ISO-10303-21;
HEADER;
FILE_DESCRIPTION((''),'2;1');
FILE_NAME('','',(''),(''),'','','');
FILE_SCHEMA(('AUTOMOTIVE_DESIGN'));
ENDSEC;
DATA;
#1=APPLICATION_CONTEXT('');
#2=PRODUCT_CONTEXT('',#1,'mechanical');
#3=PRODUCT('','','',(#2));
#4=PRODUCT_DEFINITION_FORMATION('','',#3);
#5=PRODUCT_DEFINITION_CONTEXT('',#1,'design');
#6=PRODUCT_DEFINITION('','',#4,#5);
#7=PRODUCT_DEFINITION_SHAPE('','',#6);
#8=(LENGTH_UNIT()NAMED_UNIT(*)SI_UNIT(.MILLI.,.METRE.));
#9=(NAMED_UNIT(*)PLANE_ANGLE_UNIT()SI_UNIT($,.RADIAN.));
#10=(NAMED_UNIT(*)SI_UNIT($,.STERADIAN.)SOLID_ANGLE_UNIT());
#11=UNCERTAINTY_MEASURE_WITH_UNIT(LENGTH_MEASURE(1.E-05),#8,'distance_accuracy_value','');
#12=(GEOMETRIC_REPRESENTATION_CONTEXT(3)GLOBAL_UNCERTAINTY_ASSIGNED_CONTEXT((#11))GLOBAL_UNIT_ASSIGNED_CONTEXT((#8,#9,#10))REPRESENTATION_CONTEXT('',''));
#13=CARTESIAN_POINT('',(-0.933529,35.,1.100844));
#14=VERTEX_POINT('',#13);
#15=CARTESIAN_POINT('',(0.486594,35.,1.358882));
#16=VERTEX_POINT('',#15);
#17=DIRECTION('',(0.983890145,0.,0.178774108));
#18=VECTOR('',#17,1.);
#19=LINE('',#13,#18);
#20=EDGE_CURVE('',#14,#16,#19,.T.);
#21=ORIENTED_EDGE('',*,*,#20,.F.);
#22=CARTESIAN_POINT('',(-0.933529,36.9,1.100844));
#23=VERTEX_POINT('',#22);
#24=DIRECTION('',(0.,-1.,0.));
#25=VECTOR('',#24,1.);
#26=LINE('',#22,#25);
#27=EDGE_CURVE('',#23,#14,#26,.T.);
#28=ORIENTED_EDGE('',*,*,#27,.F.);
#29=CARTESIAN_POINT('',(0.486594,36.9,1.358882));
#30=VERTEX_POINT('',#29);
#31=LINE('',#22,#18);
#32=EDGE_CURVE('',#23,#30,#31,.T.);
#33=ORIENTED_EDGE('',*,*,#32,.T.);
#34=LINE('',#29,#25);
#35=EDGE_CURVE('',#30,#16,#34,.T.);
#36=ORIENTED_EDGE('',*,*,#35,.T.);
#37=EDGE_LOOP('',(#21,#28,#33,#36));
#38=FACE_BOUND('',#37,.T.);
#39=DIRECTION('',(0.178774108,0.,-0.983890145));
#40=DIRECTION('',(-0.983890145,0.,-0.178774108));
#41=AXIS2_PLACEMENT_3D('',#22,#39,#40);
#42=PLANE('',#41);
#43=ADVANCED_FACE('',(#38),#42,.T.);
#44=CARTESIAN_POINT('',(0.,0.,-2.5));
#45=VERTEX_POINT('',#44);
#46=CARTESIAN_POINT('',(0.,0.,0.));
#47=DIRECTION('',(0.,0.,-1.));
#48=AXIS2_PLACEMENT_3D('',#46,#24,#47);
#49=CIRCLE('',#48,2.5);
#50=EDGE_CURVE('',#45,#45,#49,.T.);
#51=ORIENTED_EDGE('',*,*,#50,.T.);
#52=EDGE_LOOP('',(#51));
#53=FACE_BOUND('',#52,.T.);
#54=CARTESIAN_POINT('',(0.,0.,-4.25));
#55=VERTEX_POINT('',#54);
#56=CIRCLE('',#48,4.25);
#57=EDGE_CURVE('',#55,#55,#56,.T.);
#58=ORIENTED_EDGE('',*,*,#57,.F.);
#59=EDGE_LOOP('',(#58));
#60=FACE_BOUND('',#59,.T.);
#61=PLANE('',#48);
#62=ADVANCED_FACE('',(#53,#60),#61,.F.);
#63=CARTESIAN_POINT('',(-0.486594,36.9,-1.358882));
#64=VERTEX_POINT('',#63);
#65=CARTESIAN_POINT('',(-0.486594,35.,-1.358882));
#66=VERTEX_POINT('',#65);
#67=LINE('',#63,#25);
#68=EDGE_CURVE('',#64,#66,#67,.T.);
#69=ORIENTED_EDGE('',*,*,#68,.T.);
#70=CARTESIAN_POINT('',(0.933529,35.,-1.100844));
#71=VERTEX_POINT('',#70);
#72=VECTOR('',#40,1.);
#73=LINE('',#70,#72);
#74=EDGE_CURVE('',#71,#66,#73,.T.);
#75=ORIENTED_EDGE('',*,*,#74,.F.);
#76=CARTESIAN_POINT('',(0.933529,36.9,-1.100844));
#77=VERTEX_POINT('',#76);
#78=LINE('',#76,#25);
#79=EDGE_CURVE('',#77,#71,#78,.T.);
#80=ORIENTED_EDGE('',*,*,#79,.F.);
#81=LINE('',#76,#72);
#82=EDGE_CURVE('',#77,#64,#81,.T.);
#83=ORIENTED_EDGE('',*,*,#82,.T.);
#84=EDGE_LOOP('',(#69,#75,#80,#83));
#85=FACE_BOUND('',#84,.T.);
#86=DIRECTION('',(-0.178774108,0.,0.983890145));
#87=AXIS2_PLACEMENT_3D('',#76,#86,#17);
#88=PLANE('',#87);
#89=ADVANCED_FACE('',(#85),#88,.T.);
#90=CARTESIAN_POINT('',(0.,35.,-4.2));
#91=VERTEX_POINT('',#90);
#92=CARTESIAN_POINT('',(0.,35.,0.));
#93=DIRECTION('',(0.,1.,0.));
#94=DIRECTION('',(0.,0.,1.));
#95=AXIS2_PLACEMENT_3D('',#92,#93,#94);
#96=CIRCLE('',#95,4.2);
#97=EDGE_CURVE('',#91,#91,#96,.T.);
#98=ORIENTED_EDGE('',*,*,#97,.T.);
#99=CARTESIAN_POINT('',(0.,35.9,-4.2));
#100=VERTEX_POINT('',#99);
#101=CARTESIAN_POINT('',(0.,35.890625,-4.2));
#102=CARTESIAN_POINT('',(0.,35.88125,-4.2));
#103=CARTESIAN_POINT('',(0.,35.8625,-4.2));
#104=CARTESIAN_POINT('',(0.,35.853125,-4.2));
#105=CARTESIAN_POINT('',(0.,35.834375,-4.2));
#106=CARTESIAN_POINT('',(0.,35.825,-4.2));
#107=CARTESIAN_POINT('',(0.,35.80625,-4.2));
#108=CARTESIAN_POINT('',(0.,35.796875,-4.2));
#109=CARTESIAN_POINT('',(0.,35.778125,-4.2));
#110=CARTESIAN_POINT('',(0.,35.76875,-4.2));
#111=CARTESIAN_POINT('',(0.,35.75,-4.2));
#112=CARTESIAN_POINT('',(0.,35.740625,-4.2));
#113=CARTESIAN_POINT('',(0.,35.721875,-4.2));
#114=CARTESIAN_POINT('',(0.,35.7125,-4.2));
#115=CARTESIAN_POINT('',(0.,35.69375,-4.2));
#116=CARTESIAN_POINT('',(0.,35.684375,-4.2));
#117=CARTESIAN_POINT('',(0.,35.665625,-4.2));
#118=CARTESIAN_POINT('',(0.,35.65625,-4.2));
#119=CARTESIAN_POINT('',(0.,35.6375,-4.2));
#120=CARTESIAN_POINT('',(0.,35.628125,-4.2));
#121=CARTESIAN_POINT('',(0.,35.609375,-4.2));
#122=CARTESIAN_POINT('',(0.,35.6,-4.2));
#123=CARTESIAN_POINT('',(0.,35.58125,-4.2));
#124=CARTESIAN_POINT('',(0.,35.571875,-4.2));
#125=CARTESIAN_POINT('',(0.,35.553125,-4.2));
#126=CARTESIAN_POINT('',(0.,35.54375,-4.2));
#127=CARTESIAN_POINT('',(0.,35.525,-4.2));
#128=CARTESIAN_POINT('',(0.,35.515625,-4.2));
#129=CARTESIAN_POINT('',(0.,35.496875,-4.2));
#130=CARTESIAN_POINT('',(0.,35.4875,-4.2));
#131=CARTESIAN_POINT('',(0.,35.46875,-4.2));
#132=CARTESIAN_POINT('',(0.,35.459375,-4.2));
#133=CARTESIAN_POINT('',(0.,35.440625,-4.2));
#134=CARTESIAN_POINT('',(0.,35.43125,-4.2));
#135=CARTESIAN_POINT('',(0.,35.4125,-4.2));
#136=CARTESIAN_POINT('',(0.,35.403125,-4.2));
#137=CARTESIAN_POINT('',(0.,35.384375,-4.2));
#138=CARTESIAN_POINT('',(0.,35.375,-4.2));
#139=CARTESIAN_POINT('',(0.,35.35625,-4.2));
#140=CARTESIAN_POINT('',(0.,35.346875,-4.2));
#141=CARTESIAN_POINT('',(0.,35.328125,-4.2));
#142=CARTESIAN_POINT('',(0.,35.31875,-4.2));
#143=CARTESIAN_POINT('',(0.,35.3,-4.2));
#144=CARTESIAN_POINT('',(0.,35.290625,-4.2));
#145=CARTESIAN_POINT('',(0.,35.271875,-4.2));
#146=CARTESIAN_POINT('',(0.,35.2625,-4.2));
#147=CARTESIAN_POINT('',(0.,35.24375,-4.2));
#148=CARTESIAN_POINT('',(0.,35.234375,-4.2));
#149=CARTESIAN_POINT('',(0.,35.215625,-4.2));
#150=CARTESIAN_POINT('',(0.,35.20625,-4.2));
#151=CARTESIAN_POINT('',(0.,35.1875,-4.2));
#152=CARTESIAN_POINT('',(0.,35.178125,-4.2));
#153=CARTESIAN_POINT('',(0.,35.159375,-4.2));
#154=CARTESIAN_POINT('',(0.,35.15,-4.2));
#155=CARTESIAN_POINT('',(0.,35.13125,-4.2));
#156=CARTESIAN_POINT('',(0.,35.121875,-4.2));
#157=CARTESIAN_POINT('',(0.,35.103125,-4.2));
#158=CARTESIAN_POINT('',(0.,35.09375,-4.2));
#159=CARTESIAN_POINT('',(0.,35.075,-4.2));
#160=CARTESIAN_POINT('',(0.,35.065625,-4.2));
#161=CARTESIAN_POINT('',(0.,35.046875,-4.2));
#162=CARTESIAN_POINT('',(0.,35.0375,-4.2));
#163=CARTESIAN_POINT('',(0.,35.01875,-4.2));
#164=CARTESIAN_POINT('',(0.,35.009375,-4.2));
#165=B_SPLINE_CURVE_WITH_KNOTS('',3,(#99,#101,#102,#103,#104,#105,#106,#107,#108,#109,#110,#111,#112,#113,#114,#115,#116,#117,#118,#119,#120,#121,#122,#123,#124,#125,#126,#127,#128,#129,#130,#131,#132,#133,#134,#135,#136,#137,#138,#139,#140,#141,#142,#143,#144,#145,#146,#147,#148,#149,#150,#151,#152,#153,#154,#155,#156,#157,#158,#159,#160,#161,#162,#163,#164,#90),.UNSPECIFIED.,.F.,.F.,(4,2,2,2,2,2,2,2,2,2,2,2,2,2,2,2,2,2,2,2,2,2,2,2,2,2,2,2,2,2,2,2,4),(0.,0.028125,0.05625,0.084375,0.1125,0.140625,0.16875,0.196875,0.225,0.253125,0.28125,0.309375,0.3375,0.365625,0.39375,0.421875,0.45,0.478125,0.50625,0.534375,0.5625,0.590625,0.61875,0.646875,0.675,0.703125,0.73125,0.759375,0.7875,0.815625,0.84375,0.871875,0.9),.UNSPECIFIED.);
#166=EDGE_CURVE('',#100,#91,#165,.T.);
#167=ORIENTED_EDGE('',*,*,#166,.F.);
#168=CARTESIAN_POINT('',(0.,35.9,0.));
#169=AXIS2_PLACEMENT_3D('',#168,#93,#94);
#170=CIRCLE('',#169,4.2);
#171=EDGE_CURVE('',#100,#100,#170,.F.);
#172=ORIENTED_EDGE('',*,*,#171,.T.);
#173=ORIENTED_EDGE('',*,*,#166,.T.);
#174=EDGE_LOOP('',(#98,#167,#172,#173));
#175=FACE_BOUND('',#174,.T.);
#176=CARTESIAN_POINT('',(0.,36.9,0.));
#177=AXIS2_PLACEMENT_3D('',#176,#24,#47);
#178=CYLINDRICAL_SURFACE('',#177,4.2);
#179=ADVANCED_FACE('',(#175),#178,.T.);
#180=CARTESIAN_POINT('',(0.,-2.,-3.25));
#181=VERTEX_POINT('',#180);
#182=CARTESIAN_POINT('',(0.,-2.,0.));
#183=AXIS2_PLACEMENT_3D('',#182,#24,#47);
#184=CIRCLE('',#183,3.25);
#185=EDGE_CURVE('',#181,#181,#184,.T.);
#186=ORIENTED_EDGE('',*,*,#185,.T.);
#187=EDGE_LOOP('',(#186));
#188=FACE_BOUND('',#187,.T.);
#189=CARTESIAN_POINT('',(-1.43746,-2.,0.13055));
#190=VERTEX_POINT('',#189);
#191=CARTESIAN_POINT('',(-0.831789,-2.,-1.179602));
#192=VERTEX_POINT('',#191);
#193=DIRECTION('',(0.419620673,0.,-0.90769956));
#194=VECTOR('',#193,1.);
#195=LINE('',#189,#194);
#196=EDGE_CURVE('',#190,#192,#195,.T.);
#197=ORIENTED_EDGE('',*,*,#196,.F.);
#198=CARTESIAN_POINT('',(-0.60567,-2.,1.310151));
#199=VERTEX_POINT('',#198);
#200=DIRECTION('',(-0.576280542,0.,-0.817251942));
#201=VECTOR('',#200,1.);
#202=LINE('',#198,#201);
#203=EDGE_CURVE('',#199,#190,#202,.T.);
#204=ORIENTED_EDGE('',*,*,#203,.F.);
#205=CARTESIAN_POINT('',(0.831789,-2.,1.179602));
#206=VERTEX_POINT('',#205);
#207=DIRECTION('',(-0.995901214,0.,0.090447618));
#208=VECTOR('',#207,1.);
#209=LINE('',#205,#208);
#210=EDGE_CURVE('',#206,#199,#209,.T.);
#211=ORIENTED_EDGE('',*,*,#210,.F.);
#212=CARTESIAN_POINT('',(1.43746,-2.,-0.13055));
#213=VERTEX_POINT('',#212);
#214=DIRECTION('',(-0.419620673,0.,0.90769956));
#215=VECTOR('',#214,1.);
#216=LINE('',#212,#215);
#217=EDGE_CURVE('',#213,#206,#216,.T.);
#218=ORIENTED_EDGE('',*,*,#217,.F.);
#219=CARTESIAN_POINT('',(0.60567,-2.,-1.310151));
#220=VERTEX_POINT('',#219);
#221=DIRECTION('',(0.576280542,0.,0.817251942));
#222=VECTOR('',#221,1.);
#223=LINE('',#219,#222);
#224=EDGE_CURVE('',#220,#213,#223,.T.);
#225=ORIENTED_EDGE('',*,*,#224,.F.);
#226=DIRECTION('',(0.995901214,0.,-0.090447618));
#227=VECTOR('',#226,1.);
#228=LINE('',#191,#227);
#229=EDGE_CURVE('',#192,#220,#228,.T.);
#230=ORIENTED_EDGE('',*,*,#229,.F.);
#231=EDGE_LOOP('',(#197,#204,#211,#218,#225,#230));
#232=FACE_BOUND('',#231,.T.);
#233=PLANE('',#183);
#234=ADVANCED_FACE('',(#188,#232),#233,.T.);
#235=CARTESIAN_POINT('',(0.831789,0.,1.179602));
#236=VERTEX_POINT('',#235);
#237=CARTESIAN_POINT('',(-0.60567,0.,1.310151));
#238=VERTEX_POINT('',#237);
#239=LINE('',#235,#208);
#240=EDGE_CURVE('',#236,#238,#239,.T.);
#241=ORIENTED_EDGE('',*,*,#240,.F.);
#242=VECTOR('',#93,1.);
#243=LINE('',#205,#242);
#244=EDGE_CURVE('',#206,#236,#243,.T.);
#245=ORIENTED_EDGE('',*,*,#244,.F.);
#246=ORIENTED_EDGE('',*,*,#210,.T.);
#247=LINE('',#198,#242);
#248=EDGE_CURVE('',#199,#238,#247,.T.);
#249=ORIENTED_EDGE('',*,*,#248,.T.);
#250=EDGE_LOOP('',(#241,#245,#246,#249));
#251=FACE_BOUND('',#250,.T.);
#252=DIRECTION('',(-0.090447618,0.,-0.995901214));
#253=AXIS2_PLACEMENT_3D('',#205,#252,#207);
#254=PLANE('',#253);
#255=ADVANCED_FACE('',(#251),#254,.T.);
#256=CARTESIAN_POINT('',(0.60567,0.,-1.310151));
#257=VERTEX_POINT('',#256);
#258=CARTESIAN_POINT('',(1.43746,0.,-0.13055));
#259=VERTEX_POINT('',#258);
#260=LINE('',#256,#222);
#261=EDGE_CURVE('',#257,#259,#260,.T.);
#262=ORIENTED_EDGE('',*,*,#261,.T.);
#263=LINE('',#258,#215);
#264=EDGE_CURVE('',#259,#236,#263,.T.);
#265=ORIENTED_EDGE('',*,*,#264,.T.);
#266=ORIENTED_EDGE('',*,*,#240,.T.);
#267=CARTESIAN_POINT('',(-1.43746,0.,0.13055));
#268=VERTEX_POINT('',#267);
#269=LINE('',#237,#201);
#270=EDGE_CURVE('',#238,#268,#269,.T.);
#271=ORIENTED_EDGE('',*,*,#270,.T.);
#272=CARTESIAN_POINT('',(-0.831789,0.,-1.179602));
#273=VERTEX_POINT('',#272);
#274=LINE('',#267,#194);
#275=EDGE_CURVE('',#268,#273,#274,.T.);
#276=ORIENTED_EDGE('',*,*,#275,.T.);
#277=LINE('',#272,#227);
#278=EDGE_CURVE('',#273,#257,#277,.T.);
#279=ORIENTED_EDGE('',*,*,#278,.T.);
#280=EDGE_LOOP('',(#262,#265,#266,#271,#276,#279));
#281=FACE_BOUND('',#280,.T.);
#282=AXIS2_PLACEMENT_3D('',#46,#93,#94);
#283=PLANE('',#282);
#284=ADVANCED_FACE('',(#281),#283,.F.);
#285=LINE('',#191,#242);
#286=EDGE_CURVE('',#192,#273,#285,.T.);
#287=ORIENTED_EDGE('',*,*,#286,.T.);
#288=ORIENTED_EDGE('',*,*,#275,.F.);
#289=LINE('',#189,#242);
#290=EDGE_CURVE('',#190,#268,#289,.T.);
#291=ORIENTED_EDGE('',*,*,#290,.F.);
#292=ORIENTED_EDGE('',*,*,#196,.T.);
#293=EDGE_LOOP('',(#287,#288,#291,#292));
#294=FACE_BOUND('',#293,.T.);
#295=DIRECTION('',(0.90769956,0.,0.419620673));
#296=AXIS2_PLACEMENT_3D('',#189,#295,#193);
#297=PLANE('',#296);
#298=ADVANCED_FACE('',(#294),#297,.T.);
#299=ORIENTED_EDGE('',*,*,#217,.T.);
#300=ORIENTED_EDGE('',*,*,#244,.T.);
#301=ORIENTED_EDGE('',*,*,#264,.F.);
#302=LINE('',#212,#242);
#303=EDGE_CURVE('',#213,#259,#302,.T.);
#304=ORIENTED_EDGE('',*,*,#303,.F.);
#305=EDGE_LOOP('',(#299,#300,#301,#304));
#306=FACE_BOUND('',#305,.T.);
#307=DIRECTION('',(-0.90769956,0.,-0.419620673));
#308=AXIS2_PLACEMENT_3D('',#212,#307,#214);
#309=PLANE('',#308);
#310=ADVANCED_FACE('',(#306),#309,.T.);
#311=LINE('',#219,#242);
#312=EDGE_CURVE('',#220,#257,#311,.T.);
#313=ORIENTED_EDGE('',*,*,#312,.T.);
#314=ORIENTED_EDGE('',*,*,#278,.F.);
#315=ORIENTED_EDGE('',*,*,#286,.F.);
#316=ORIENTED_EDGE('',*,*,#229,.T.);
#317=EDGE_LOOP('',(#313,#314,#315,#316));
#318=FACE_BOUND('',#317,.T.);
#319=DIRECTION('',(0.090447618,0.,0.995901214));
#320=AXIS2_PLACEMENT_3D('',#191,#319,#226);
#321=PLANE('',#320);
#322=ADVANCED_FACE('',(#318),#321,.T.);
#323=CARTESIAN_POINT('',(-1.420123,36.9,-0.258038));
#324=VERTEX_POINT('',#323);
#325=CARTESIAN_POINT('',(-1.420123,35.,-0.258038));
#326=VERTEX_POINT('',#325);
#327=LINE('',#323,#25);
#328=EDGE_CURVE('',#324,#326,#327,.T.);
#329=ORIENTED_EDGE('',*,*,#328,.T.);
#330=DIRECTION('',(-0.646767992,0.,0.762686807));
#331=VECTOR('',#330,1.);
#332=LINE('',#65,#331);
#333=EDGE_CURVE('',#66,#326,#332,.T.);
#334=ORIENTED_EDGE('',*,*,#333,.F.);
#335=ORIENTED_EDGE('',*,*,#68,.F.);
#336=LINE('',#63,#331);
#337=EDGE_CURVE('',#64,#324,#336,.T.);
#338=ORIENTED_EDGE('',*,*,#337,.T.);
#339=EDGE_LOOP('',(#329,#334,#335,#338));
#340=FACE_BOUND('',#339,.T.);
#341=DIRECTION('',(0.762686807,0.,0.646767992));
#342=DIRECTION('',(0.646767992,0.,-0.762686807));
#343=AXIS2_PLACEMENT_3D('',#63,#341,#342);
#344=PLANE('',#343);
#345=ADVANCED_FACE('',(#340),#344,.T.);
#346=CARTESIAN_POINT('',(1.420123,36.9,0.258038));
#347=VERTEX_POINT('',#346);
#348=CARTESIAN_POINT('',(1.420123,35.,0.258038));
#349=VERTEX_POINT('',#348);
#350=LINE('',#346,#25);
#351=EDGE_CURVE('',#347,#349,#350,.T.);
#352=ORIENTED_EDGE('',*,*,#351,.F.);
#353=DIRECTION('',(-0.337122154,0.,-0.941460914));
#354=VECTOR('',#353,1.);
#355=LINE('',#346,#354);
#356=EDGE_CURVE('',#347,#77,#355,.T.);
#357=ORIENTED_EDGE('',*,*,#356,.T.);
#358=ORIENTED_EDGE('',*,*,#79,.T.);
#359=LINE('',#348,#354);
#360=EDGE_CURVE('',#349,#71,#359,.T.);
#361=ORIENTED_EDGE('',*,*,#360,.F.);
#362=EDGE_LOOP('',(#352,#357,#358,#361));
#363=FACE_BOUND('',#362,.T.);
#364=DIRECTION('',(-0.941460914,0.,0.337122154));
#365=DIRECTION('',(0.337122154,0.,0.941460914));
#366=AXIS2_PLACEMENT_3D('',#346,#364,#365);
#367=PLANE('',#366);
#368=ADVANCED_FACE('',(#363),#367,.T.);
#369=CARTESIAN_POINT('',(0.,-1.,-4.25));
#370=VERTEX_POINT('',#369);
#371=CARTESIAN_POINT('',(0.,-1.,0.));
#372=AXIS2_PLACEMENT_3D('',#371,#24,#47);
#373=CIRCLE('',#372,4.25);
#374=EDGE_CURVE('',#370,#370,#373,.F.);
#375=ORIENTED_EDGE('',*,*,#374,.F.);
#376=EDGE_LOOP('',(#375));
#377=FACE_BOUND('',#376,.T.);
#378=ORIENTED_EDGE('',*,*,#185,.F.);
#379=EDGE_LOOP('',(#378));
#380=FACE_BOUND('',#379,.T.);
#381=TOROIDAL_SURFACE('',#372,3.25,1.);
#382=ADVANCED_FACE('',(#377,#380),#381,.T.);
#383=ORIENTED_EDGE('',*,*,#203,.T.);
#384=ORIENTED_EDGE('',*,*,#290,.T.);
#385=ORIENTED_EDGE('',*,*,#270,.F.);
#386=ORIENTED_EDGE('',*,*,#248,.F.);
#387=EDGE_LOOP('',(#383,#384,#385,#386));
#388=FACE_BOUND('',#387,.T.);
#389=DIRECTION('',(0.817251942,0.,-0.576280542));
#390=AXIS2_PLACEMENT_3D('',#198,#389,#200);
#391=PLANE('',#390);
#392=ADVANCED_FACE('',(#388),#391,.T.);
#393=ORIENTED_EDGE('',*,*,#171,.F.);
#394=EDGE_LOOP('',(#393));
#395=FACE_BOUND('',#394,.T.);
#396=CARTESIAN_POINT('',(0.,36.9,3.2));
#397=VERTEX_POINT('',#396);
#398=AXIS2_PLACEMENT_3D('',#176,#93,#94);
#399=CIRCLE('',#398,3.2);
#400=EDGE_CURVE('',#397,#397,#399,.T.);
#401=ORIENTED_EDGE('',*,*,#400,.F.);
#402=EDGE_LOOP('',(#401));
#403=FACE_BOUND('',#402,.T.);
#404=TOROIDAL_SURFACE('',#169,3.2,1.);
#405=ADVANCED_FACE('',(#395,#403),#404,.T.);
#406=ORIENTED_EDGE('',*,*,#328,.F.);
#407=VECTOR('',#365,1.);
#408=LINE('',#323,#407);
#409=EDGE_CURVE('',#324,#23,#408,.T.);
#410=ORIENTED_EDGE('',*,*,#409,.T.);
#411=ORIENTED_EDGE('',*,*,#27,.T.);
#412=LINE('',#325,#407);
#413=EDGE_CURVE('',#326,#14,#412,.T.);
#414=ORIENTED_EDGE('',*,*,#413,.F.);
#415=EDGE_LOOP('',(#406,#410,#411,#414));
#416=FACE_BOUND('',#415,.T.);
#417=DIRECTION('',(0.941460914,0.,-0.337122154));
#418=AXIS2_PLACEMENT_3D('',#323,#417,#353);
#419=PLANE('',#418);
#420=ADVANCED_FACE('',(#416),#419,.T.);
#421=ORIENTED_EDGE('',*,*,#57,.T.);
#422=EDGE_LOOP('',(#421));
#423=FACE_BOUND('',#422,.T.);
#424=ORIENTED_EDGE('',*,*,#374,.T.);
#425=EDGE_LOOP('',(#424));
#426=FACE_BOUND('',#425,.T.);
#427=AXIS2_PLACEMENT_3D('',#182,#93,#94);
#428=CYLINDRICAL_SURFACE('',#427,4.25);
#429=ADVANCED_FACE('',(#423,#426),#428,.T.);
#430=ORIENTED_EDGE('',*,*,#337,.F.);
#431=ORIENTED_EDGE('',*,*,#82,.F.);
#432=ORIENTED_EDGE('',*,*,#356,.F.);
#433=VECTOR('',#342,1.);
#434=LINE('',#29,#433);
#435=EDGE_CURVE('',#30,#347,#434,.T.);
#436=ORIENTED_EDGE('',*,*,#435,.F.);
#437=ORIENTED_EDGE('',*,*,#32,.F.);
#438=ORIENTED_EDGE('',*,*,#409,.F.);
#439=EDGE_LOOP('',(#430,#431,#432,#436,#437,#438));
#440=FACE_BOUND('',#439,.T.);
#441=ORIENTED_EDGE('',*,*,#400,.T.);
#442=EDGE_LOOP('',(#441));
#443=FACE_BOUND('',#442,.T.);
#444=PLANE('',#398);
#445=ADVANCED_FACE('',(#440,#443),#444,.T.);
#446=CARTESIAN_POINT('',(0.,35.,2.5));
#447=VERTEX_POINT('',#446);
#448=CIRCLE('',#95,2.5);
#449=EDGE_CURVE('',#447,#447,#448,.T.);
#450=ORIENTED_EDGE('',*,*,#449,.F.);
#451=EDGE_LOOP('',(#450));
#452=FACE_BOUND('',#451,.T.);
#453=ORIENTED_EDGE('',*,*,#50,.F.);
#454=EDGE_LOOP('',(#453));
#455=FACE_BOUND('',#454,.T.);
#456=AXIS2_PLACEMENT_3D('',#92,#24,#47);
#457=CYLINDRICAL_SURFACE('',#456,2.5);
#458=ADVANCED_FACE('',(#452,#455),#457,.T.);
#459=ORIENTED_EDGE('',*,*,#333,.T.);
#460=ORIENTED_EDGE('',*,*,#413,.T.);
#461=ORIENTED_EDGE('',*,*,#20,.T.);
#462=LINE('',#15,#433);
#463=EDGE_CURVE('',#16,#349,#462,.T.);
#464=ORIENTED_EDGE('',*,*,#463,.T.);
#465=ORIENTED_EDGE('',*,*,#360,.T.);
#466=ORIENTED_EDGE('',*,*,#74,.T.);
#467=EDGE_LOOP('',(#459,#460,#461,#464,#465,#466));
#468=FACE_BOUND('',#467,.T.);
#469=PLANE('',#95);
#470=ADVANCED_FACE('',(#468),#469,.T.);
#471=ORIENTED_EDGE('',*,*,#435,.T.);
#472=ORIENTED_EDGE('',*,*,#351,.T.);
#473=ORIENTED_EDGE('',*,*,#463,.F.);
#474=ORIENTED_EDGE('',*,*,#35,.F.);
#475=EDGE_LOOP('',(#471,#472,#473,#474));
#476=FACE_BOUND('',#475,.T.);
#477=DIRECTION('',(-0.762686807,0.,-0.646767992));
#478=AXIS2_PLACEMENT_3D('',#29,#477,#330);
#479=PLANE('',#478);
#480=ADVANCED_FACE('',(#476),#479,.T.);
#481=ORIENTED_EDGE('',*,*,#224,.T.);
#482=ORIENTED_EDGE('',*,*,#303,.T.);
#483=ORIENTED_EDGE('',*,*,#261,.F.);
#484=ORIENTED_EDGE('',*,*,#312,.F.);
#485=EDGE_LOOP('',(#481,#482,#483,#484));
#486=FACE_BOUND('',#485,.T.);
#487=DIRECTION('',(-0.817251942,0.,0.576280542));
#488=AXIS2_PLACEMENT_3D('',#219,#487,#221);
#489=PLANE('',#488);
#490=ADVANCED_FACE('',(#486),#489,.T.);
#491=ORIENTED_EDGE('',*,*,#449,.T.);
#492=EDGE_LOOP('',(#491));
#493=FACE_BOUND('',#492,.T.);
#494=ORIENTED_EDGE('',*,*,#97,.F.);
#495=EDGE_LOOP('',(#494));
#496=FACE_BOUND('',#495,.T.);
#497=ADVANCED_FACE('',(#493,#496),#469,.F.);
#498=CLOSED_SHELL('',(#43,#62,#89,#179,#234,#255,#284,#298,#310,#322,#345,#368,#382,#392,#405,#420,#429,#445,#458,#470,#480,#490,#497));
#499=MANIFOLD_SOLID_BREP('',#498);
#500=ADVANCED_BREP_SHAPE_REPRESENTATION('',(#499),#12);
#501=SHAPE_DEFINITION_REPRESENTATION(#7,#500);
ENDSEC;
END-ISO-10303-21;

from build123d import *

# Parameters (mm, degrees)
SKETCH_1_R      = 2.5
EXTRUDE_1_DEPTH = 35
SKETCH_2_R      = 4.2
EXTRUDE_2_DEPTH = 1.9
SKETCH_3_R      = 4.25
EXTRUDE_3_DEPTH = 2
FILLET_1_R      = 1


with BuildPart() as part:
    # 草图1 → 凸台-拉伸1 (new body)
    with BuildSketch(Plane(origin=(0, 0, 0), x_dir=(1, 0, 0), z_dir=(0, 1, 0))):
        with Locations(Location((0, 0, 0), (0, 0, 270))):
            Circle(SKETCH_1_R)
    extrude(amount=EXTRUDE_1_DEPTH)

    # 草图2 → 凸台-拉伸2 (add)
    with BuildSketch(Plane(origin=(0, 35, 0), x_dir=(1, 0, 0), z_dir=(0, 1, 0))):
        with Locations(Location((0, 0, 0), (0, 0, 90))):
            Circle(SKETCH_2_R)
        Polygon((0.933529185, 1.100843583), (-0.486593916, 1.358881781), (-1.420123101, 0.258038198), (-0.933529185, -1.100843583), (0.486593916, -1.358881781), (1.420123101, -0.258038198), align=None, mode=Mode.SUBTRACT)
    extrude(amount=EXTRUDE_2_DEPTH)

    # 草图3 → 凸台-拉伸3 (add)
    with BuildSketch(Plane.XZ):
        with Locations(Location((0, 0, 0), (0, 0, 270))):
            Circle(SKETCH_3_R)
        Polygon((0.831789315, 1.179601572), (-0.605670271, 1.310151463), (-1.437459585, 0.130549891), (-0.831789315, -1.179601572), (0.605670271, -1.310151463), (1.437459585, -0.130549891), align=None, mode=Mode.SUBTRACT)
    extrude(amount=EXTRUDE_3_DEPTH)

    # 圆角1
    fillet_1_edges = [part.edges().sort_by_distance(p)[0] for p in [
        (0, 36.9, 4.2),
        (0, -2, 4.25),
    ]]
    fillet(fillet_1_edges, radius=FILLET_1_R)


solid = part.part
